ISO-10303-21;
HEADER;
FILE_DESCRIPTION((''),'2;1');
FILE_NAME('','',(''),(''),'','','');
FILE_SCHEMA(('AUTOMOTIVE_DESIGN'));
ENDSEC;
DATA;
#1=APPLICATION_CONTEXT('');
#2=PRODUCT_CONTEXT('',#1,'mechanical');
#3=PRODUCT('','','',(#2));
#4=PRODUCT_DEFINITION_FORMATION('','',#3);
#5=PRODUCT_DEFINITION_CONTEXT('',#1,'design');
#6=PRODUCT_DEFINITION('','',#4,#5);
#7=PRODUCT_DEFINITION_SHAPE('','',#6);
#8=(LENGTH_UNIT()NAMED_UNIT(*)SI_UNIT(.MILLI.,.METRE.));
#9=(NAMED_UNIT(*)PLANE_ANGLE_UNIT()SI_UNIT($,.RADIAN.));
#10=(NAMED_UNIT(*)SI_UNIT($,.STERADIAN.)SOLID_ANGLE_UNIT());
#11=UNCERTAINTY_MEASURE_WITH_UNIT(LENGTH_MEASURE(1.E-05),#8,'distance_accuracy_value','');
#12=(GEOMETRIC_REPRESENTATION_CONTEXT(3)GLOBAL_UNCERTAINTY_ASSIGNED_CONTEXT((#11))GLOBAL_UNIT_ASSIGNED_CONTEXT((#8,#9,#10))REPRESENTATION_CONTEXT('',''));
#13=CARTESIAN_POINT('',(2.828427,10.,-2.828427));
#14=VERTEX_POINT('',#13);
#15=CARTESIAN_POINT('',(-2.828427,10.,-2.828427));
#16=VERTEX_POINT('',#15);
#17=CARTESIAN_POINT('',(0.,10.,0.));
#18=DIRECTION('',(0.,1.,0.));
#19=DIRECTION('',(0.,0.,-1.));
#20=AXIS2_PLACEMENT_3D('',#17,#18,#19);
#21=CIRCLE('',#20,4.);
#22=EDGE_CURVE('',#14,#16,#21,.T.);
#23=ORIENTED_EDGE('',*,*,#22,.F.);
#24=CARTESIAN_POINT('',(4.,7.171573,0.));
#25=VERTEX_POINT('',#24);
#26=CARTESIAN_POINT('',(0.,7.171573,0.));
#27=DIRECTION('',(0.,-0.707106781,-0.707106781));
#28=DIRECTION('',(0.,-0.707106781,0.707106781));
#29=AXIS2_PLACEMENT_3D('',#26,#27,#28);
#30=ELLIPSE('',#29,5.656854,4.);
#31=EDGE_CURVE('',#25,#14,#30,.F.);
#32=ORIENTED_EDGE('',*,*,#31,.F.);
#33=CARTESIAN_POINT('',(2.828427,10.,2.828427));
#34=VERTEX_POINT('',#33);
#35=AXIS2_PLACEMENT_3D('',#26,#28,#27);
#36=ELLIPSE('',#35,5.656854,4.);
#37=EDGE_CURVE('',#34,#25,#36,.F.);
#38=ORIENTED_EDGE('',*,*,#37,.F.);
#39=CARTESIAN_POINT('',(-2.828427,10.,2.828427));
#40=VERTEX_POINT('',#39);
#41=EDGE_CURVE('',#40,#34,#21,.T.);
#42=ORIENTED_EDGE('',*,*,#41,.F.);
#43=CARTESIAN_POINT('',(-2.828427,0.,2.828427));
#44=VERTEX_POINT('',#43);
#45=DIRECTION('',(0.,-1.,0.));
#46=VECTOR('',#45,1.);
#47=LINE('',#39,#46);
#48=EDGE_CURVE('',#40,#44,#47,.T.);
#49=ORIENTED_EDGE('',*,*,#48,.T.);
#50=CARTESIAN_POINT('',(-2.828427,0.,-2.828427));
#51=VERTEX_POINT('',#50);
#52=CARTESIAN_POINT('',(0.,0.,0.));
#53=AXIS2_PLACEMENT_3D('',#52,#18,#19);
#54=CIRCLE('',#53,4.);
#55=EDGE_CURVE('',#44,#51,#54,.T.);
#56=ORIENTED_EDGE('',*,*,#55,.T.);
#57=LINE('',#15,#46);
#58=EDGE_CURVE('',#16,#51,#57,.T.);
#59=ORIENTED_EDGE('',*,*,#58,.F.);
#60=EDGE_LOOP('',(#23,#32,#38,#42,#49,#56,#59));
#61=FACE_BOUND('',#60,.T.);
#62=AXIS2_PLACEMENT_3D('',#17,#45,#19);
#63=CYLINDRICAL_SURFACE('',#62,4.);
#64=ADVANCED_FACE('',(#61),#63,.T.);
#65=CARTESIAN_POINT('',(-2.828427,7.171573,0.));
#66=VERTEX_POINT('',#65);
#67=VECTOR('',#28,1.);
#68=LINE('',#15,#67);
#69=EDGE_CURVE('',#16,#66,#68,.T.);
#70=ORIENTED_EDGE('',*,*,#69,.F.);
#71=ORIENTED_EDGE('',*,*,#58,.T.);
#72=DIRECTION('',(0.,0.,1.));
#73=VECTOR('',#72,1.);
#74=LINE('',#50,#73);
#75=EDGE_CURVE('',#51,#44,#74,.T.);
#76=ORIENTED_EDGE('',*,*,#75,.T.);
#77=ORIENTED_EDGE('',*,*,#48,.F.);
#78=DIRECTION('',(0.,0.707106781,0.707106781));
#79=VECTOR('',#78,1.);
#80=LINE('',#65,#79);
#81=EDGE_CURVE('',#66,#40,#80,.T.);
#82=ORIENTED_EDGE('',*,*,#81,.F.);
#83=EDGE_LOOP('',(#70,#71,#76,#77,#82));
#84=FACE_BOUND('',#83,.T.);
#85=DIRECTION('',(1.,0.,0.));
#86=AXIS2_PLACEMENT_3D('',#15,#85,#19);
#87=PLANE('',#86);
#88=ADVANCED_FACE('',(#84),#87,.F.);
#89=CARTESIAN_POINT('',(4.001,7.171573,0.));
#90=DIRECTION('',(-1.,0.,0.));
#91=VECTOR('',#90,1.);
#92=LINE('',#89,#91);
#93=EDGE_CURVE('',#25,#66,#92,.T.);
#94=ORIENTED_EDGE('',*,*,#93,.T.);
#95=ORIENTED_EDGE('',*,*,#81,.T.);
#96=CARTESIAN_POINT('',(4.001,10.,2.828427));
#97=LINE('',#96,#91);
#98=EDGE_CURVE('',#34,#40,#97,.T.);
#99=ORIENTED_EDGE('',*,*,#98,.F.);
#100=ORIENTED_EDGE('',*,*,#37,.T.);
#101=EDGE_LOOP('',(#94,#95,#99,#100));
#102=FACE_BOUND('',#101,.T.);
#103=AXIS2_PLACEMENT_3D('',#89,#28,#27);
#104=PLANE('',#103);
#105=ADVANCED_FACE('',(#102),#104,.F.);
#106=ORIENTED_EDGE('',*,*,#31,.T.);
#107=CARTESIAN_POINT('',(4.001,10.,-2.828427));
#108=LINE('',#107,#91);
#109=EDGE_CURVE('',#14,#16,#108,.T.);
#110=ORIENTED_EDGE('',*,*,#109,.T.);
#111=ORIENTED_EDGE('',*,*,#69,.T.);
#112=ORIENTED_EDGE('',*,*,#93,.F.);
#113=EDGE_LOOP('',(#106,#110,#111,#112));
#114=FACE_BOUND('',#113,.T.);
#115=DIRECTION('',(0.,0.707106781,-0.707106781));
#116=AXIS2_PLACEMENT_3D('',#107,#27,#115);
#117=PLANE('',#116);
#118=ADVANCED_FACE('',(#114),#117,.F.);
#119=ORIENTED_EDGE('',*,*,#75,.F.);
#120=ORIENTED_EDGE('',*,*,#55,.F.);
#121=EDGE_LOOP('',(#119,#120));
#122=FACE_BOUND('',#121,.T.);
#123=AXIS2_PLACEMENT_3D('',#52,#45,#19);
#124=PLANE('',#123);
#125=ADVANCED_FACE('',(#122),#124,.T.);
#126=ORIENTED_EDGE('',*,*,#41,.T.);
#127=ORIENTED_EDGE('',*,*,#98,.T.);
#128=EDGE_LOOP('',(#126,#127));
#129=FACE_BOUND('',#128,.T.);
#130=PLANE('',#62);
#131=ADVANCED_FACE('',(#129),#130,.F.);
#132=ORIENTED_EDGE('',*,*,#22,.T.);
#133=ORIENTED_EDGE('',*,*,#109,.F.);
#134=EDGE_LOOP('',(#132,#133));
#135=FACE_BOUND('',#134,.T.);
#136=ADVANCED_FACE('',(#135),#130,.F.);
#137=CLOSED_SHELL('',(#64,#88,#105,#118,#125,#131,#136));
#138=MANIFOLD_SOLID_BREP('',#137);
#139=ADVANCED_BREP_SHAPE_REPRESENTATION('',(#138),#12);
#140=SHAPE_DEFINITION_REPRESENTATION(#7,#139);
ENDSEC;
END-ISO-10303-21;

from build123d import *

# Parameters (mm, degrees)
BOSS_EXTRUDE1_DEPTH     = 10
CUT_EXTRUDE1_REACH      = 14.753
CUT_EXTRUDE1_END_RADIUS = 4


with BuildPart() as part:
    # Sketch1 → Boss-Extrude1 (new body)
    with BuildSketch(Plane(origin=(0, 0, 0), x_dir=(1, 0, 0), z_dir=(0, 1, 0))):
        with BuildLine():
            Line((-2.828427125, 2.828427125), (-2.828427125, -2.828427125))
            ThreePointArc((-2.828427125, -2.828427125), (4, 0), (-2.828427125, 2.828427125))
        make_face()
    extrude(amount=BOSS_EXTRUDE1_DEPTH)

    # Cut-Extrude1: up to this cylinder (the profile starts inside it)
    cut_extrude1_end = Plane(origin=(0, 9.057191, 0), z_dir=(0, -1, 0)) * Cylinder(CUT_EXTRUDE1_END_RADIUS, 38.506, mode=Mode.PRIVATE)
    # Sketch2 → Cut-Extrude1 (cut, up to the surface)
    with BuildSketch(Plane.ZY.offset(2.828427125), mode=Mode.PRIVATE) as cut_extrude1_sk1:
        Polygon((-2.828427125, 10), (0, 7.171572875), (2.828427125, 10), align=None)
    cut_extrude1_tool1 = extrude(cut_extrude1_sk1.sketch, amount=-CUT_EXTRUDE1_REACH, mode=Mode.PRIVATE) & cut_extrude1_end
    add(cut_extrude1_tool1.solids().sort_by_distance((-2.828427, 9.057191, 0))[0], mode=Mode.SUBTRACT)


solid = part.part
